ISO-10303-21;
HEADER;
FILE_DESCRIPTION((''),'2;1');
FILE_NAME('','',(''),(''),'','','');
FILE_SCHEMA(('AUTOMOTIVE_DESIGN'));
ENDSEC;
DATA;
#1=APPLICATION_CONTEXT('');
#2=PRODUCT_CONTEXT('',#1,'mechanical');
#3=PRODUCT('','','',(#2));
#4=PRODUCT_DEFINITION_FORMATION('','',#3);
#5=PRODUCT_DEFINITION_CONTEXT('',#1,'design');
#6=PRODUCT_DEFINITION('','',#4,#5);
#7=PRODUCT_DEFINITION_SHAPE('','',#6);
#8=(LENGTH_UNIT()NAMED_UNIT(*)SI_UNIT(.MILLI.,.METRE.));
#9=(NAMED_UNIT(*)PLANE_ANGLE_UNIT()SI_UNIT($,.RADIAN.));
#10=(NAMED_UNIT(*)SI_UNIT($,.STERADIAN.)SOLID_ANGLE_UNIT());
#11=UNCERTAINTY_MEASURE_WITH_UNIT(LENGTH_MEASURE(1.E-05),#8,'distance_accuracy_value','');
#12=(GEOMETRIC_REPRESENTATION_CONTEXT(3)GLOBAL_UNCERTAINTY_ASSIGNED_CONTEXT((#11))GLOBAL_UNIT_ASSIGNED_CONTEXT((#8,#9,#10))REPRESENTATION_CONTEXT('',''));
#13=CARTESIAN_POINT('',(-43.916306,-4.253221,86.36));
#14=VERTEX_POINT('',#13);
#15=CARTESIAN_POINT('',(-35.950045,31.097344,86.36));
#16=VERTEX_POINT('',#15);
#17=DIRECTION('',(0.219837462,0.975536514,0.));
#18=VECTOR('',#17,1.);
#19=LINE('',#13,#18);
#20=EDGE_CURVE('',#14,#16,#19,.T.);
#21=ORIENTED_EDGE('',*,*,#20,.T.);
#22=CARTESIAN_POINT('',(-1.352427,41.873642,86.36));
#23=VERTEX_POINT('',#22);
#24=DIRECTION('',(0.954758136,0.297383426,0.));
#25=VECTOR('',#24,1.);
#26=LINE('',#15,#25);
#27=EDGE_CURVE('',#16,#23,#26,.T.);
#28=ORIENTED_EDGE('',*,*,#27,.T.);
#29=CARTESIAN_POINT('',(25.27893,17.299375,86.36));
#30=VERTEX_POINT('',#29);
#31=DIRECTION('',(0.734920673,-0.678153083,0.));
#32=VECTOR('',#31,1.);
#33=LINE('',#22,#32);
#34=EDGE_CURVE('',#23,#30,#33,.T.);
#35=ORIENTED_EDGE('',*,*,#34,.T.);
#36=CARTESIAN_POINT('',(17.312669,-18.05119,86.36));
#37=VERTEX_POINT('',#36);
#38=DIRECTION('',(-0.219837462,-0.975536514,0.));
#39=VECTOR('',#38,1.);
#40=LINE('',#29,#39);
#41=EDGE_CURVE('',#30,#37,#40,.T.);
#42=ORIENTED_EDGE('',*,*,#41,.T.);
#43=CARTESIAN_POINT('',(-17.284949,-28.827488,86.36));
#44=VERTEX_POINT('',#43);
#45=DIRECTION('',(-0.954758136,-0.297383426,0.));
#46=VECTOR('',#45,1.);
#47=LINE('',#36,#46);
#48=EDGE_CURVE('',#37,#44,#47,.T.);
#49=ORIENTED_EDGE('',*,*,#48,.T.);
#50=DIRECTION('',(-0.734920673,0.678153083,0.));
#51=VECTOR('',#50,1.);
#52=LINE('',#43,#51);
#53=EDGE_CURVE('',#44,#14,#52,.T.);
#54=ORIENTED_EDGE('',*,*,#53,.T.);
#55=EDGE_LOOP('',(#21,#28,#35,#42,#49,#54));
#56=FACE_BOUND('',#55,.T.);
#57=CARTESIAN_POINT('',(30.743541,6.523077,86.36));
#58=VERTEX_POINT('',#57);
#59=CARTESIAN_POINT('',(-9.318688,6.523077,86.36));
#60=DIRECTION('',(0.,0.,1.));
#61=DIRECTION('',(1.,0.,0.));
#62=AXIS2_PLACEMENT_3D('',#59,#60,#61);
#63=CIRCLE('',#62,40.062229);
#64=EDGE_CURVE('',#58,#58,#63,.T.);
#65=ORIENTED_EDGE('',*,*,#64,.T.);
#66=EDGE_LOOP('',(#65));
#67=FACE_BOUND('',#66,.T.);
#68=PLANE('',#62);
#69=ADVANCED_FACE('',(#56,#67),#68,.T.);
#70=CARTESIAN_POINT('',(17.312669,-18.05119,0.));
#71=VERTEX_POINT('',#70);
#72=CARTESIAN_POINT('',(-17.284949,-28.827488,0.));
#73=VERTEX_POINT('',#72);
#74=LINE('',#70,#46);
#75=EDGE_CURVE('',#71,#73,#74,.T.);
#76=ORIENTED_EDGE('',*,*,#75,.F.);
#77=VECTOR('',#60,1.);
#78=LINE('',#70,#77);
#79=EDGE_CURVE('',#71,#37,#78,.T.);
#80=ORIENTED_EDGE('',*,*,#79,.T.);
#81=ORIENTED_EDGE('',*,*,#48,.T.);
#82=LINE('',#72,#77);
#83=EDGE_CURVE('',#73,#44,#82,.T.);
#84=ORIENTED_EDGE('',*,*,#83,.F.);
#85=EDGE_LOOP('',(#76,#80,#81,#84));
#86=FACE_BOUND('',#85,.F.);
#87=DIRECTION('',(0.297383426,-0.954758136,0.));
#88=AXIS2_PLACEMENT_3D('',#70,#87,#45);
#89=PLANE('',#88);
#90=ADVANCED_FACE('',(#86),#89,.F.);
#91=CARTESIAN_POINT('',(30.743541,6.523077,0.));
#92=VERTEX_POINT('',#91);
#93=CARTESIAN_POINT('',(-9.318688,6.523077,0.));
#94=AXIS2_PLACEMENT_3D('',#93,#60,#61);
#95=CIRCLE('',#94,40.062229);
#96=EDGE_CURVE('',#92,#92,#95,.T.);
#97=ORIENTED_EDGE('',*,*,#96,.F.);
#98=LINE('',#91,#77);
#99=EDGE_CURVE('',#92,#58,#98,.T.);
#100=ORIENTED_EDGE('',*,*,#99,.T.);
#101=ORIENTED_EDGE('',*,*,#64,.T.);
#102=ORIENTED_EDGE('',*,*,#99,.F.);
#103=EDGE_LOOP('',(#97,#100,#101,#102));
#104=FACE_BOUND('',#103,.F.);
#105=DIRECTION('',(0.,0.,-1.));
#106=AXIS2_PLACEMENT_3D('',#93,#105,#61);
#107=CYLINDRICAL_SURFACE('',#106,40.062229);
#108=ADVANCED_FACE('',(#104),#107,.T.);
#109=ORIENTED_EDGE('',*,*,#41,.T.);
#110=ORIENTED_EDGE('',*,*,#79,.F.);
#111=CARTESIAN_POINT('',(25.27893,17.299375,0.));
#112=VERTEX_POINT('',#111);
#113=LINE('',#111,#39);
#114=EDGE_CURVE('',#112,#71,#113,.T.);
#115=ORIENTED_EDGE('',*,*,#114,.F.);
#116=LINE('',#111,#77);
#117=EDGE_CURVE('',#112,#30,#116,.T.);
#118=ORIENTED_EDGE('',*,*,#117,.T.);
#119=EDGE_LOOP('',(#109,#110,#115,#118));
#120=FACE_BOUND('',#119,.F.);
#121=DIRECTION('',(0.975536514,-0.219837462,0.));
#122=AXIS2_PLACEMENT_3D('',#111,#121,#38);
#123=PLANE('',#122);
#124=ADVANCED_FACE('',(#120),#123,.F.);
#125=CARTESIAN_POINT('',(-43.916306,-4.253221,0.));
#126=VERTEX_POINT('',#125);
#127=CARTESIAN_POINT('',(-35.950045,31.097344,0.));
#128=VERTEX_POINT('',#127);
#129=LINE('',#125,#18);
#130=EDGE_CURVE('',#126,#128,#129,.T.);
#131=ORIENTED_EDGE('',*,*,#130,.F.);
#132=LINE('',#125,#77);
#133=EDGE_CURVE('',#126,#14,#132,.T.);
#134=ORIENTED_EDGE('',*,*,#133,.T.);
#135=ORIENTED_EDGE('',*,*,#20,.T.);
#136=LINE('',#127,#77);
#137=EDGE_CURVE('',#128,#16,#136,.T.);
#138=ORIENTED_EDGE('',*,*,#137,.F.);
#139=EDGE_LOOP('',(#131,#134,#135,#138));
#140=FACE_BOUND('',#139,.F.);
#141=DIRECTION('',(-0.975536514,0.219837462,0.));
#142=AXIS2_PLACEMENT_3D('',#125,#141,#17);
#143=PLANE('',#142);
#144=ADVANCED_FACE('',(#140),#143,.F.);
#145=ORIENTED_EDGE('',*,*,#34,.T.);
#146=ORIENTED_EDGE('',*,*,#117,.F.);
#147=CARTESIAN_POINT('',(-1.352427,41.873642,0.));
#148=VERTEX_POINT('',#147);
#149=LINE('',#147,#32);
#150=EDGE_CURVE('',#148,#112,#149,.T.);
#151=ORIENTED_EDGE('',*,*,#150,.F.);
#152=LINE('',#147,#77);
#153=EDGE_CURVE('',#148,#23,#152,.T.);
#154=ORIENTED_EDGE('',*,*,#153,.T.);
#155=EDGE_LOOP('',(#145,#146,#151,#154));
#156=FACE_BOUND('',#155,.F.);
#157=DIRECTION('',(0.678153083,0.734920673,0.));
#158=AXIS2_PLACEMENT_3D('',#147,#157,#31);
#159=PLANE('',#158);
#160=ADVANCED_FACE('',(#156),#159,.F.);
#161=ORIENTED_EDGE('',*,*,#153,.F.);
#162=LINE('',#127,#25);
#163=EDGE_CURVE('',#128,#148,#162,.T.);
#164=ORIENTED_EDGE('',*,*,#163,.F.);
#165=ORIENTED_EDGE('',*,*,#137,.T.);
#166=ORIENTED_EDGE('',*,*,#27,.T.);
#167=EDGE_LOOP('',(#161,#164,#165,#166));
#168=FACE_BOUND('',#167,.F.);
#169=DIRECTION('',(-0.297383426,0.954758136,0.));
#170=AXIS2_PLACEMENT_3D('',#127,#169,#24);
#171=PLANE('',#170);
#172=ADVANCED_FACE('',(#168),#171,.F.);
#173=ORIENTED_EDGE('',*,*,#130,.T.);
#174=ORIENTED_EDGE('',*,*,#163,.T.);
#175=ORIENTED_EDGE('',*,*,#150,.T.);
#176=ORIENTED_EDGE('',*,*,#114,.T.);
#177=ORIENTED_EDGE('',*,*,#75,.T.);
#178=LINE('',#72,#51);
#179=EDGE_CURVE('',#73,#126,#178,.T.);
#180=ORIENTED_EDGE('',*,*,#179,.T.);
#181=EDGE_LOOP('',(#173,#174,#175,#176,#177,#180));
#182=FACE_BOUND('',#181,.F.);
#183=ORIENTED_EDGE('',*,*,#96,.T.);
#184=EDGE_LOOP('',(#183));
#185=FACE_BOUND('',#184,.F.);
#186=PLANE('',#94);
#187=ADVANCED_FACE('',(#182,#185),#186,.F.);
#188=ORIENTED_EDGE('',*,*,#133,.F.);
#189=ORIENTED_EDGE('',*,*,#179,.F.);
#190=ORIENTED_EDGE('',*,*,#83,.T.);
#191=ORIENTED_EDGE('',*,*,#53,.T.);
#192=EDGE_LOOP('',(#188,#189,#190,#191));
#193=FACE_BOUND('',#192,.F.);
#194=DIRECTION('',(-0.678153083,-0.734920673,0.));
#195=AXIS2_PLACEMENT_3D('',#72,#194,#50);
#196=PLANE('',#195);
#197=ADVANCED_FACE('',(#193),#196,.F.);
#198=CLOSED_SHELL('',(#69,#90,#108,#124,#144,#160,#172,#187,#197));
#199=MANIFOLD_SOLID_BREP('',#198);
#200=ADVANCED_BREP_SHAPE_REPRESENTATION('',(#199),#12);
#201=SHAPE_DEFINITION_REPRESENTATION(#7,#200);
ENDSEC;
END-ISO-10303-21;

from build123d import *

# Parameters (mm, degrees)
F0_R     = 40.062229
F2_DEPTH = 86.36


with BuildPart() as f2:
    # F0 (on Top) → F2 (new body)
    with BuildSketch(Plane.XY):
        with Locations((-9.318688, 6.523077)):
            Circle(F0_R)
        Polygon((-43.916306, -4.253221), (-35.950045, 31.097344), (-1.352427, 41.873642), (25.27893, 17.299375), (17.312669, -18.05119), (-17.284949, -28.827488), align=None, mode=Mode.SUBTRACT)
    extrude(amount=F2_DEPTH)


solid = f2.part
